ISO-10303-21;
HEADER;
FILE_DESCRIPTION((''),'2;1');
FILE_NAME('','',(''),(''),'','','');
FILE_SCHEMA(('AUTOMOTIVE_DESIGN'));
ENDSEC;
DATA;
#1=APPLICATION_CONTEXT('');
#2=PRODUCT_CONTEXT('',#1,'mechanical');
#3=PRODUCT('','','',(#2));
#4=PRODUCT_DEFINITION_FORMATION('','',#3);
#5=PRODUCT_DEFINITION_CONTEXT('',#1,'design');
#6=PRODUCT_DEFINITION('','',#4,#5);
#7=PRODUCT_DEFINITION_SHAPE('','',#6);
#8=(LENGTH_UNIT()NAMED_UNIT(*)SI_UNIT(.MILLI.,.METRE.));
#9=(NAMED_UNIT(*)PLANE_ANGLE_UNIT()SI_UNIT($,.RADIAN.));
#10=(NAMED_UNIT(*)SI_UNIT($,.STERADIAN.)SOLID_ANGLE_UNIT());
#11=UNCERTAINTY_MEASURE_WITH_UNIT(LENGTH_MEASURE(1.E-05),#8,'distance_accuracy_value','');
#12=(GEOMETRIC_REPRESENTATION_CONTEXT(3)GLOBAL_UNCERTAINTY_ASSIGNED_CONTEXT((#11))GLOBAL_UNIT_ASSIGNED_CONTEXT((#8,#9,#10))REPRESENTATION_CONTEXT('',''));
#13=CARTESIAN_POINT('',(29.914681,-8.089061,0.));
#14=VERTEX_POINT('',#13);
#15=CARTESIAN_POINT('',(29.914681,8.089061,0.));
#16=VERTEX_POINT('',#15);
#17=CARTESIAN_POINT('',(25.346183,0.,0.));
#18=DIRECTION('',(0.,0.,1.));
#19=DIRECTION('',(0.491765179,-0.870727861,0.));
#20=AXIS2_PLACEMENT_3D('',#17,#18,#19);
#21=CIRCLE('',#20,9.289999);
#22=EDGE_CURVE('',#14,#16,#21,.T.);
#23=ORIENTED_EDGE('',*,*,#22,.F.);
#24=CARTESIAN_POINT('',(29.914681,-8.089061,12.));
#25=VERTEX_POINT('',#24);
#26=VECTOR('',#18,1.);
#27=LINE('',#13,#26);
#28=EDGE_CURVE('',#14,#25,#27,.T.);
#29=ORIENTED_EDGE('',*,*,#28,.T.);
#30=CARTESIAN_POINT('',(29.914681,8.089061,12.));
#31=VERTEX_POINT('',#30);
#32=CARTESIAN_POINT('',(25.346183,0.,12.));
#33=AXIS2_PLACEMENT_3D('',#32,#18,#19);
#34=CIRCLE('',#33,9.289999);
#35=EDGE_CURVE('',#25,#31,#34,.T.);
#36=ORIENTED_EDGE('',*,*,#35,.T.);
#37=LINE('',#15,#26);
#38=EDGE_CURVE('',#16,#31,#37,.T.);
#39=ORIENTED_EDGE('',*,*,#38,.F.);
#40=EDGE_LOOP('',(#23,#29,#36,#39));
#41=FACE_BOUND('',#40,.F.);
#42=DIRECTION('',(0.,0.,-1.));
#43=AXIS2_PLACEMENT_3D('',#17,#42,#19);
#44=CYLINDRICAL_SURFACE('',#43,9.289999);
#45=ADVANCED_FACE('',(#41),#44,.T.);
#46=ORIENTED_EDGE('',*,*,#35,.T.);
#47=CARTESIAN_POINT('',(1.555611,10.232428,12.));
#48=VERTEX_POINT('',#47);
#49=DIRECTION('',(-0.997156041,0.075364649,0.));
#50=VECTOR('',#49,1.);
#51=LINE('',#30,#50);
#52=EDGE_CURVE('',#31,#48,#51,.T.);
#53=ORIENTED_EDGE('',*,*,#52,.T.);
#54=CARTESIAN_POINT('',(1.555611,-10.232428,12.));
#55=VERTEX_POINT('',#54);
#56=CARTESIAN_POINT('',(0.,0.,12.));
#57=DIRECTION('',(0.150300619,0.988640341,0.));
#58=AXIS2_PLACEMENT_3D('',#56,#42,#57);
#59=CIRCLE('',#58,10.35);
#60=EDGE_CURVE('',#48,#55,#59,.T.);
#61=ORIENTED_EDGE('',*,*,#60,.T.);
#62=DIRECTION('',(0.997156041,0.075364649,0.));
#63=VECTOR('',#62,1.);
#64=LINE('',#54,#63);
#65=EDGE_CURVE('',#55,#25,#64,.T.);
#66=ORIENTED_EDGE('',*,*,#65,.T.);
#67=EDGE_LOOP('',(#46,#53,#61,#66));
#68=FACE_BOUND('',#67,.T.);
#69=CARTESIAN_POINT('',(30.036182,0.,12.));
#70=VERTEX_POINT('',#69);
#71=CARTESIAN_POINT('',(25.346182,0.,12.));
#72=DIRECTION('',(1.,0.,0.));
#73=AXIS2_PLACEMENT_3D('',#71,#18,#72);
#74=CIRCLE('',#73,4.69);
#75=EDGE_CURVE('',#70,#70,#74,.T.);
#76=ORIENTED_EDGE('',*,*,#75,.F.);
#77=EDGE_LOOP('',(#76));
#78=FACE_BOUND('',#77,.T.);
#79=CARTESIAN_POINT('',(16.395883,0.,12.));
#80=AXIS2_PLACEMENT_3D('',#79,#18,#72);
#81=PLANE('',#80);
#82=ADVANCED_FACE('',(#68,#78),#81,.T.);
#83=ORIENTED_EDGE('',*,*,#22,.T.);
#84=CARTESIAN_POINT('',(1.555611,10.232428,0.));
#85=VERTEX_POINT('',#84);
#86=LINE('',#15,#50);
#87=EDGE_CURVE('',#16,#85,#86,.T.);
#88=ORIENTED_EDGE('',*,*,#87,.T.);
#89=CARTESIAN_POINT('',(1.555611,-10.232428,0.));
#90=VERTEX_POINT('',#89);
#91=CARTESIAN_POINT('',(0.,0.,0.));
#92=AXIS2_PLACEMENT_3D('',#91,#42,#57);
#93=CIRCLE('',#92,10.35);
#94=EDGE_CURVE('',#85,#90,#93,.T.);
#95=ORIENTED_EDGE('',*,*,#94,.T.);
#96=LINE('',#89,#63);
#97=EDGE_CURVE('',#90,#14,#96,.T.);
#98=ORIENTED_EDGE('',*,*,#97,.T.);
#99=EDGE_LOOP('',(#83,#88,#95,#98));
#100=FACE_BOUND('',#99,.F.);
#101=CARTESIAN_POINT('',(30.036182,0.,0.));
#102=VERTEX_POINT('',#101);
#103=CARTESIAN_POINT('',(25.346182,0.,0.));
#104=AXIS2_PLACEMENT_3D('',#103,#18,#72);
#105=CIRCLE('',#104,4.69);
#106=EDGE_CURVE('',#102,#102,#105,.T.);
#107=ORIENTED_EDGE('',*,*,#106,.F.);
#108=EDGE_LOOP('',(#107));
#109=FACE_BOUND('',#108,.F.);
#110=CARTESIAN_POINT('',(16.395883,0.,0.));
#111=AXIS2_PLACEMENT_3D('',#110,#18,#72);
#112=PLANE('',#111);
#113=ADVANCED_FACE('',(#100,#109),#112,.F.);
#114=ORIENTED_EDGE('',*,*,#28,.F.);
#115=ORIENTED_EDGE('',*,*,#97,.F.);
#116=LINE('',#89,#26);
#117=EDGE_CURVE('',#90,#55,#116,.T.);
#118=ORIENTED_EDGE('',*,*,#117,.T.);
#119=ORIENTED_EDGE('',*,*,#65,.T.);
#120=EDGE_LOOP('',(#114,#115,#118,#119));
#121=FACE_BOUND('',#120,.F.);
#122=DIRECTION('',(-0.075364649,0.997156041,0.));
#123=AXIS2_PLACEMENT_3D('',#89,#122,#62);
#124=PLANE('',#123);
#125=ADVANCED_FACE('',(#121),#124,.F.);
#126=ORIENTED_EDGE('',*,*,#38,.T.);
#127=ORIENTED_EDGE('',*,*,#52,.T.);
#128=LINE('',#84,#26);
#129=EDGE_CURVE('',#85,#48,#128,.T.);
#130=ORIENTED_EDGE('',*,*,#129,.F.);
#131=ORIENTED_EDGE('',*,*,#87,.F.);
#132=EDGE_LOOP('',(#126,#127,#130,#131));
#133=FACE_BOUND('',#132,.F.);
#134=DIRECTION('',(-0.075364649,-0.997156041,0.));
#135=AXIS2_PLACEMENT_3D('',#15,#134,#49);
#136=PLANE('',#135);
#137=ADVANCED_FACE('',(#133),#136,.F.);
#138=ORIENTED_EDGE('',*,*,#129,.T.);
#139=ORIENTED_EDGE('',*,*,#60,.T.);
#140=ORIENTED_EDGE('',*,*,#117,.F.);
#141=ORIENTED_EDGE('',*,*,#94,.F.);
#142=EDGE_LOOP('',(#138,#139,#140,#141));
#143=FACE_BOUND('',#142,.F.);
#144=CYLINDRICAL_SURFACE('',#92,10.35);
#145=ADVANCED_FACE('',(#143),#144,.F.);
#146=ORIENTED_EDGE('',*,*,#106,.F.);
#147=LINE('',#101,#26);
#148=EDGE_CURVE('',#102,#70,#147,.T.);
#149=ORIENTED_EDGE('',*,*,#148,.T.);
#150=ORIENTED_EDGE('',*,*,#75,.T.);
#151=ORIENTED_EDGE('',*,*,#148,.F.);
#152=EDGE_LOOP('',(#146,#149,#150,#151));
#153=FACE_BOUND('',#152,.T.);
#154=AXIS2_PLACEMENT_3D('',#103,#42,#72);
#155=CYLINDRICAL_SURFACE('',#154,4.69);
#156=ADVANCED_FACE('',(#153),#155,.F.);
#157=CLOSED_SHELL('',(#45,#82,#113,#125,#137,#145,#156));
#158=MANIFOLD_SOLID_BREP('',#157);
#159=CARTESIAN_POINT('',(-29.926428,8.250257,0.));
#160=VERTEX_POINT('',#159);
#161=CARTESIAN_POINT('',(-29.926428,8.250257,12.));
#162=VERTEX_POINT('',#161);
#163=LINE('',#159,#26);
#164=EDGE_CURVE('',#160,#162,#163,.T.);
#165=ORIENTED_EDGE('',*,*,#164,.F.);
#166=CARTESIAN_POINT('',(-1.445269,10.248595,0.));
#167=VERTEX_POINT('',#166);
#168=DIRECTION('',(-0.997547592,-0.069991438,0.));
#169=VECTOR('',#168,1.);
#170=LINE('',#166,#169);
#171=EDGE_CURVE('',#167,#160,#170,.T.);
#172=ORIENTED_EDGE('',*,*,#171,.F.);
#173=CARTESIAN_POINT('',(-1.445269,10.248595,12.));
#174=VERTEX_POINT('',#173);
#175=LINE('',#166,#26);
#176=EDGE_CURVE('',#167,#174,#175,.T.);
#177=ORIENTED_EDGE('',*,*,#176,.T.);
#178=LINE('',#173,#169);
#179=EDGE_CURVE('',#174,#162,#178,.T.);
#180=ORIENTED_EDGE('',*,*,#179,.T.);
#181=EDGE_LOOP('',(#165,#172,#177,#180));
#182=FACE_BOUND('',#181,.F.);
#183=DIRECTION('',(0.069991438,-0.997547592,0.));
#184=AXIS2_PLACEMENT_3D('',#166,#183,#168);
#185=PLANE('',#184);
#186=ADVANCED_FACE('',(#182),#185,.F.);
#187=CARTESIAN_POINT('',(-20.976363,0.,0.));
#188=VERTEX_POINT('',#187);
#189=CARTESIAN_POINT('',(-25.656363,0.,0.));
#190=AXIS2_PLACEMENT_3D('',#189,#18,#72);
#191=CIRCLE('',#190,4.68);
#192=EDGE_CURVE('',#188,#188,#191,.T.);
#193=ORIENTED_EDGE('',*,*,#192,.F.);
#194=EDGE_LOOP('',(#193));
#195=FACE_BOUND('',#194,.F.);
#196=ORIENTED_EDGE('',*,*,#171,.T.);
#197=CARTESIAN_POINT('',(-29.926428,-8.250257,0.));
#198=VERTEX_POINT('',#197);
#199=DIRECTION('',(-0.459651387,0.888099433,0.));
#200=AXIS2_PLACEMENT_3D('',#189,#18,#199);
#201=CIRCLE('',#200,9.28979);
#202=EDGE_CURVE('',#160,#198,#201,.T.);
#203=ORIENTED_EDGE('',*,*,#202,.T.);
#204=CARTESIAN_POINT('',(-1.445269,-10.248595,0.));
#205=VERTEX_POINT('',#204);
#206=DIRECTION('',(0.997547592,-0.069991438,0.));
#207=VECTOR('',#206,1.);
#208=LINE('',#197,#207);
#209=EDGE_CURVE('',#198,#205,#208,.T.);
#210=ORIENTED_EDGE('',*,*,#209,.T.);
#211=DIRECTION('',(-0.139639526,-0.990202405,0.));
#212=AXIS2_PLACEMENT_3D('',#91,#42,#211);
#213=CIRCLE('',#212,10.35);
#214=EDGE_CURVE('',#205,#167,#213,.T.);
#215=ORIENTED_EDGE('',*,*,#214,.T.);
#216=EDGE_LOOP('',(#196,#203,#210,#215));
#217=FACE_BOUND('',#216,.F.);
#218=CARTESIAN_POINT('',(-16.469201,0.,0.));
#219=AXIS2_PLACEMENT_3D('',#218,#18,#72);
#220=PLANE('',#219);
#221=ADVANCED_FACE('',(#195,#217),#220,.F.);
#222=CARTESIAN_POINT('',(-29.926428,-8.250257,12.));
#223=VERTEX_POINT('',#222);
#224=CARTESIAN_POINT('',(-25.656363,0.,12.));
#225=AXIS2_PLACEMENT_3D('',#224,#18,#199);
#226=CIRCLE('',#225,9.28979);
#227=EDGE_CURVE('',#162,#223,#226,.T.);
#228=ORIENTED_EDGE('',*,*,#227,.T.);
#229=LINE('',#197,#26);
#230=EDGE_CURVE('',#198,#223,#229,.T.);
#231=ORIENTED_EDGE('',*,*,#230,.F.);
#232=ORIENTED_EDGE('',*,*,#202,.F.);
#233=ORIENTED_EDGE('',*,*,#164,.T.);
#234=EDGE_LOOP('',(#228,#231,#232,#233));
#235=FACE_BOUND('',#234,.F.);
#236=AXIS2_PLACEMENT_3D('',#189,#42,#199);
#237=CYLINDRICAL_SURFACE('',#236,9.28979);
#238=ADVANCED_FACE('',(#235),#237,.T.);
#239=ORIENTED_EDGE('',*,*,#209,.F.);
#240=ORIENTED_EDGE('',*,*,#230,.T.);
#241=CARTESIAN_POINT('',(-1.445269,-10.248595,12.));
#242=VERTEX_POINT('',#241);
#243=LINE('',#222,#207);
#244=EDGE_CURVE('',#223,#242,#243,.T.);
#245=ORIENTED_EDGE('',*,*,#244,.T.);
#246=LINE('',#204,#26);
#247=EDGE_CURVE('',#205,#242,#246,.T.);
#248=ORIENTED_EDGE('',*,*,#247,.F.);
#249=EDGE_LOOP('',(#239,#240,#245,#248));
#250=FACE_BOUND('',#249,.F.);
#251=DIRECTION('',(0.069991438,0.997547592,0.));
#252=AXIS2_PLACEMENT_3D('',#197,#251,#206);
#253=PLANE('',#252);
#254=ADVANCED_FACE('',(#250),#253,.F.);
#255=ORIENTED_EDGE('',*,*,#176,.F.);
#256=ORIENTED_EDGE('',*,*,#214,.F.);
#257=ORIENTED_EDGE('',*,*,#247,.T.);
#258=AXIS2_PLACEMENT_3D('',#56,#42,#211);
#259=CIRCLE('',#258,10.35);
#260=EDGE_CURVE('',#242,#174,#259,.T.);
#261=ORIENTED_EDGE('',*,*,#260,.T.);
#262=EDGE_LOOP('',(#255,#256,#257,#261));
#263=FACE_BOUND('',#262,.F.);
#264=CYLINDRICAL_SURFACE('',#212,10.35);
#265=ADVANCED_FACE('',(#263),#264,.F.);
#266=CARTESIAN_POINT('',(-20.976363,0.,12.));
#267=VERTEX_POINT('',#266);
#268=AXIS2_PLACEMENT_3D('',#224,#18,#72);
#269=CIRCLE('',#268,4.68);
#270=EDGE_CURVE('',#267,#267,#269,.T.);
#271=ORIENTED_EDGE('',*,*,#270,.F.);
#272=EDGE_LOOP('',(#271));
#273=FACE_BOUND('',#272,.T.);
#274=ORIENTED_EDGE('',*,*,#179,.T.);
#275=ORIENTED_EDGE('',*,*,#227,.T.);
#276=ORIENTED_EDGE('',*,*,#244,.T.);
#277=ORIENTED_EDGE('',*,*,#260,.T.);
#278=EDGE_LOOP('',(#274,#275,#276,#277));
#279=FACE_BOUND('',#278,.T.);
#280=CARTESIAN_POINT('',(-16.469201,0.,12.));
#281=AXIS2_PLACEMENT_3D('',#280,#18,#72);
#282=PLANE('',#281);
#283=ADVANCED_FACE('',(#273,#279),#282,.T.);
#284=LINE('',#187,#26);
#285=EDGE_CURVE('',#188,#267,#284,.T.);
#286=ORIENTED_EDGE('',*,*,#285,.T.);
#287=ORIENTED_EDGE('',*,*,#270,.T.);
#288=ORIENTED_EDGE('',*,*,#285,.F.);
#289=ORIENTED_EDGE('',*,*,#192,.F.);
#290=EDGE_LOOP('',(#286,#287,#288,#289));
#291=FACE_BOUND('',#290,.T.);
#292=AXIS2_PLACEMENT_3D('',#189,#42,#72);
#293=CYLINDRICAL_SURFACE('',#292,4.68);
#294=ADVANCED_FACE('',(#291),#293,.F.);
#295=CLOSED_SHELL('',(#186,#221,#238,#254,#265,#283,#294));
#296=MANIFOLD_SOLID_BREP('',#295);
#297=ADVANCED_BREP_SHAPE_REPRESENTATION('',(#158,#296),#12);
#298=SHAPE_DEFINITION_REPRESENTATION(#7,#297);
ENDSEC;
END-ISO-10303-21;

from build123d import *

# Parameters (mm, degrees)
F0_R     = 4.68
F1_DEPTH = 12
F2_R     = 4.69
F3_DEPTH = 12


with BuildPart() as f1:
    # F0 (on Top) → F1 (new body)
    with BuildSketch(Plane.XY):
        with BuildLine():
            ThreePointArc((-1.445269, -10.248595), (-10.35, 0), (-1.445269, 10.248595))
            Line((-1.445269, 10.248595), (-29.926428, 8.250257))
            ThreePointArc((-29.926428, 8.250257), (-34.946153, 0), (-29.926428, -8.250257))
            Line((-29.926428, -8.250257), (-1.445269, -10.248595))
        make_face()
        with Locations((-25.656363, 0)):
            Circle(F0_R, mode=Mode.SUBTRACT)
    extrude(amount=F1_DEPTH)


with BuildPart() as f3:
    # F2 (on Top) → F3 (new body)
    with BuildSketch(Plane.XY):
        with BuildLine():
            ThreePointArc((1.555611, 10.232428), (10.35, 0), (1.555611, -10.232428))
            Line((1.555611, -10.232428), (29.914681, -8.089061))
            ThreePointArc((29.914681, -8.089061), (34.636182, 0), (29.914681, 8.089061))
            Line((29.914681, 8.089061), (1.555611, 10.232428))
        make_face()
        with Locations((25.346182, 0)):
            Circle(F2_R, mode=Mode.SUBTRACT)
    extrude(amount=F3_DEPTH)


solid = Compound([f1.part, f3.part])
